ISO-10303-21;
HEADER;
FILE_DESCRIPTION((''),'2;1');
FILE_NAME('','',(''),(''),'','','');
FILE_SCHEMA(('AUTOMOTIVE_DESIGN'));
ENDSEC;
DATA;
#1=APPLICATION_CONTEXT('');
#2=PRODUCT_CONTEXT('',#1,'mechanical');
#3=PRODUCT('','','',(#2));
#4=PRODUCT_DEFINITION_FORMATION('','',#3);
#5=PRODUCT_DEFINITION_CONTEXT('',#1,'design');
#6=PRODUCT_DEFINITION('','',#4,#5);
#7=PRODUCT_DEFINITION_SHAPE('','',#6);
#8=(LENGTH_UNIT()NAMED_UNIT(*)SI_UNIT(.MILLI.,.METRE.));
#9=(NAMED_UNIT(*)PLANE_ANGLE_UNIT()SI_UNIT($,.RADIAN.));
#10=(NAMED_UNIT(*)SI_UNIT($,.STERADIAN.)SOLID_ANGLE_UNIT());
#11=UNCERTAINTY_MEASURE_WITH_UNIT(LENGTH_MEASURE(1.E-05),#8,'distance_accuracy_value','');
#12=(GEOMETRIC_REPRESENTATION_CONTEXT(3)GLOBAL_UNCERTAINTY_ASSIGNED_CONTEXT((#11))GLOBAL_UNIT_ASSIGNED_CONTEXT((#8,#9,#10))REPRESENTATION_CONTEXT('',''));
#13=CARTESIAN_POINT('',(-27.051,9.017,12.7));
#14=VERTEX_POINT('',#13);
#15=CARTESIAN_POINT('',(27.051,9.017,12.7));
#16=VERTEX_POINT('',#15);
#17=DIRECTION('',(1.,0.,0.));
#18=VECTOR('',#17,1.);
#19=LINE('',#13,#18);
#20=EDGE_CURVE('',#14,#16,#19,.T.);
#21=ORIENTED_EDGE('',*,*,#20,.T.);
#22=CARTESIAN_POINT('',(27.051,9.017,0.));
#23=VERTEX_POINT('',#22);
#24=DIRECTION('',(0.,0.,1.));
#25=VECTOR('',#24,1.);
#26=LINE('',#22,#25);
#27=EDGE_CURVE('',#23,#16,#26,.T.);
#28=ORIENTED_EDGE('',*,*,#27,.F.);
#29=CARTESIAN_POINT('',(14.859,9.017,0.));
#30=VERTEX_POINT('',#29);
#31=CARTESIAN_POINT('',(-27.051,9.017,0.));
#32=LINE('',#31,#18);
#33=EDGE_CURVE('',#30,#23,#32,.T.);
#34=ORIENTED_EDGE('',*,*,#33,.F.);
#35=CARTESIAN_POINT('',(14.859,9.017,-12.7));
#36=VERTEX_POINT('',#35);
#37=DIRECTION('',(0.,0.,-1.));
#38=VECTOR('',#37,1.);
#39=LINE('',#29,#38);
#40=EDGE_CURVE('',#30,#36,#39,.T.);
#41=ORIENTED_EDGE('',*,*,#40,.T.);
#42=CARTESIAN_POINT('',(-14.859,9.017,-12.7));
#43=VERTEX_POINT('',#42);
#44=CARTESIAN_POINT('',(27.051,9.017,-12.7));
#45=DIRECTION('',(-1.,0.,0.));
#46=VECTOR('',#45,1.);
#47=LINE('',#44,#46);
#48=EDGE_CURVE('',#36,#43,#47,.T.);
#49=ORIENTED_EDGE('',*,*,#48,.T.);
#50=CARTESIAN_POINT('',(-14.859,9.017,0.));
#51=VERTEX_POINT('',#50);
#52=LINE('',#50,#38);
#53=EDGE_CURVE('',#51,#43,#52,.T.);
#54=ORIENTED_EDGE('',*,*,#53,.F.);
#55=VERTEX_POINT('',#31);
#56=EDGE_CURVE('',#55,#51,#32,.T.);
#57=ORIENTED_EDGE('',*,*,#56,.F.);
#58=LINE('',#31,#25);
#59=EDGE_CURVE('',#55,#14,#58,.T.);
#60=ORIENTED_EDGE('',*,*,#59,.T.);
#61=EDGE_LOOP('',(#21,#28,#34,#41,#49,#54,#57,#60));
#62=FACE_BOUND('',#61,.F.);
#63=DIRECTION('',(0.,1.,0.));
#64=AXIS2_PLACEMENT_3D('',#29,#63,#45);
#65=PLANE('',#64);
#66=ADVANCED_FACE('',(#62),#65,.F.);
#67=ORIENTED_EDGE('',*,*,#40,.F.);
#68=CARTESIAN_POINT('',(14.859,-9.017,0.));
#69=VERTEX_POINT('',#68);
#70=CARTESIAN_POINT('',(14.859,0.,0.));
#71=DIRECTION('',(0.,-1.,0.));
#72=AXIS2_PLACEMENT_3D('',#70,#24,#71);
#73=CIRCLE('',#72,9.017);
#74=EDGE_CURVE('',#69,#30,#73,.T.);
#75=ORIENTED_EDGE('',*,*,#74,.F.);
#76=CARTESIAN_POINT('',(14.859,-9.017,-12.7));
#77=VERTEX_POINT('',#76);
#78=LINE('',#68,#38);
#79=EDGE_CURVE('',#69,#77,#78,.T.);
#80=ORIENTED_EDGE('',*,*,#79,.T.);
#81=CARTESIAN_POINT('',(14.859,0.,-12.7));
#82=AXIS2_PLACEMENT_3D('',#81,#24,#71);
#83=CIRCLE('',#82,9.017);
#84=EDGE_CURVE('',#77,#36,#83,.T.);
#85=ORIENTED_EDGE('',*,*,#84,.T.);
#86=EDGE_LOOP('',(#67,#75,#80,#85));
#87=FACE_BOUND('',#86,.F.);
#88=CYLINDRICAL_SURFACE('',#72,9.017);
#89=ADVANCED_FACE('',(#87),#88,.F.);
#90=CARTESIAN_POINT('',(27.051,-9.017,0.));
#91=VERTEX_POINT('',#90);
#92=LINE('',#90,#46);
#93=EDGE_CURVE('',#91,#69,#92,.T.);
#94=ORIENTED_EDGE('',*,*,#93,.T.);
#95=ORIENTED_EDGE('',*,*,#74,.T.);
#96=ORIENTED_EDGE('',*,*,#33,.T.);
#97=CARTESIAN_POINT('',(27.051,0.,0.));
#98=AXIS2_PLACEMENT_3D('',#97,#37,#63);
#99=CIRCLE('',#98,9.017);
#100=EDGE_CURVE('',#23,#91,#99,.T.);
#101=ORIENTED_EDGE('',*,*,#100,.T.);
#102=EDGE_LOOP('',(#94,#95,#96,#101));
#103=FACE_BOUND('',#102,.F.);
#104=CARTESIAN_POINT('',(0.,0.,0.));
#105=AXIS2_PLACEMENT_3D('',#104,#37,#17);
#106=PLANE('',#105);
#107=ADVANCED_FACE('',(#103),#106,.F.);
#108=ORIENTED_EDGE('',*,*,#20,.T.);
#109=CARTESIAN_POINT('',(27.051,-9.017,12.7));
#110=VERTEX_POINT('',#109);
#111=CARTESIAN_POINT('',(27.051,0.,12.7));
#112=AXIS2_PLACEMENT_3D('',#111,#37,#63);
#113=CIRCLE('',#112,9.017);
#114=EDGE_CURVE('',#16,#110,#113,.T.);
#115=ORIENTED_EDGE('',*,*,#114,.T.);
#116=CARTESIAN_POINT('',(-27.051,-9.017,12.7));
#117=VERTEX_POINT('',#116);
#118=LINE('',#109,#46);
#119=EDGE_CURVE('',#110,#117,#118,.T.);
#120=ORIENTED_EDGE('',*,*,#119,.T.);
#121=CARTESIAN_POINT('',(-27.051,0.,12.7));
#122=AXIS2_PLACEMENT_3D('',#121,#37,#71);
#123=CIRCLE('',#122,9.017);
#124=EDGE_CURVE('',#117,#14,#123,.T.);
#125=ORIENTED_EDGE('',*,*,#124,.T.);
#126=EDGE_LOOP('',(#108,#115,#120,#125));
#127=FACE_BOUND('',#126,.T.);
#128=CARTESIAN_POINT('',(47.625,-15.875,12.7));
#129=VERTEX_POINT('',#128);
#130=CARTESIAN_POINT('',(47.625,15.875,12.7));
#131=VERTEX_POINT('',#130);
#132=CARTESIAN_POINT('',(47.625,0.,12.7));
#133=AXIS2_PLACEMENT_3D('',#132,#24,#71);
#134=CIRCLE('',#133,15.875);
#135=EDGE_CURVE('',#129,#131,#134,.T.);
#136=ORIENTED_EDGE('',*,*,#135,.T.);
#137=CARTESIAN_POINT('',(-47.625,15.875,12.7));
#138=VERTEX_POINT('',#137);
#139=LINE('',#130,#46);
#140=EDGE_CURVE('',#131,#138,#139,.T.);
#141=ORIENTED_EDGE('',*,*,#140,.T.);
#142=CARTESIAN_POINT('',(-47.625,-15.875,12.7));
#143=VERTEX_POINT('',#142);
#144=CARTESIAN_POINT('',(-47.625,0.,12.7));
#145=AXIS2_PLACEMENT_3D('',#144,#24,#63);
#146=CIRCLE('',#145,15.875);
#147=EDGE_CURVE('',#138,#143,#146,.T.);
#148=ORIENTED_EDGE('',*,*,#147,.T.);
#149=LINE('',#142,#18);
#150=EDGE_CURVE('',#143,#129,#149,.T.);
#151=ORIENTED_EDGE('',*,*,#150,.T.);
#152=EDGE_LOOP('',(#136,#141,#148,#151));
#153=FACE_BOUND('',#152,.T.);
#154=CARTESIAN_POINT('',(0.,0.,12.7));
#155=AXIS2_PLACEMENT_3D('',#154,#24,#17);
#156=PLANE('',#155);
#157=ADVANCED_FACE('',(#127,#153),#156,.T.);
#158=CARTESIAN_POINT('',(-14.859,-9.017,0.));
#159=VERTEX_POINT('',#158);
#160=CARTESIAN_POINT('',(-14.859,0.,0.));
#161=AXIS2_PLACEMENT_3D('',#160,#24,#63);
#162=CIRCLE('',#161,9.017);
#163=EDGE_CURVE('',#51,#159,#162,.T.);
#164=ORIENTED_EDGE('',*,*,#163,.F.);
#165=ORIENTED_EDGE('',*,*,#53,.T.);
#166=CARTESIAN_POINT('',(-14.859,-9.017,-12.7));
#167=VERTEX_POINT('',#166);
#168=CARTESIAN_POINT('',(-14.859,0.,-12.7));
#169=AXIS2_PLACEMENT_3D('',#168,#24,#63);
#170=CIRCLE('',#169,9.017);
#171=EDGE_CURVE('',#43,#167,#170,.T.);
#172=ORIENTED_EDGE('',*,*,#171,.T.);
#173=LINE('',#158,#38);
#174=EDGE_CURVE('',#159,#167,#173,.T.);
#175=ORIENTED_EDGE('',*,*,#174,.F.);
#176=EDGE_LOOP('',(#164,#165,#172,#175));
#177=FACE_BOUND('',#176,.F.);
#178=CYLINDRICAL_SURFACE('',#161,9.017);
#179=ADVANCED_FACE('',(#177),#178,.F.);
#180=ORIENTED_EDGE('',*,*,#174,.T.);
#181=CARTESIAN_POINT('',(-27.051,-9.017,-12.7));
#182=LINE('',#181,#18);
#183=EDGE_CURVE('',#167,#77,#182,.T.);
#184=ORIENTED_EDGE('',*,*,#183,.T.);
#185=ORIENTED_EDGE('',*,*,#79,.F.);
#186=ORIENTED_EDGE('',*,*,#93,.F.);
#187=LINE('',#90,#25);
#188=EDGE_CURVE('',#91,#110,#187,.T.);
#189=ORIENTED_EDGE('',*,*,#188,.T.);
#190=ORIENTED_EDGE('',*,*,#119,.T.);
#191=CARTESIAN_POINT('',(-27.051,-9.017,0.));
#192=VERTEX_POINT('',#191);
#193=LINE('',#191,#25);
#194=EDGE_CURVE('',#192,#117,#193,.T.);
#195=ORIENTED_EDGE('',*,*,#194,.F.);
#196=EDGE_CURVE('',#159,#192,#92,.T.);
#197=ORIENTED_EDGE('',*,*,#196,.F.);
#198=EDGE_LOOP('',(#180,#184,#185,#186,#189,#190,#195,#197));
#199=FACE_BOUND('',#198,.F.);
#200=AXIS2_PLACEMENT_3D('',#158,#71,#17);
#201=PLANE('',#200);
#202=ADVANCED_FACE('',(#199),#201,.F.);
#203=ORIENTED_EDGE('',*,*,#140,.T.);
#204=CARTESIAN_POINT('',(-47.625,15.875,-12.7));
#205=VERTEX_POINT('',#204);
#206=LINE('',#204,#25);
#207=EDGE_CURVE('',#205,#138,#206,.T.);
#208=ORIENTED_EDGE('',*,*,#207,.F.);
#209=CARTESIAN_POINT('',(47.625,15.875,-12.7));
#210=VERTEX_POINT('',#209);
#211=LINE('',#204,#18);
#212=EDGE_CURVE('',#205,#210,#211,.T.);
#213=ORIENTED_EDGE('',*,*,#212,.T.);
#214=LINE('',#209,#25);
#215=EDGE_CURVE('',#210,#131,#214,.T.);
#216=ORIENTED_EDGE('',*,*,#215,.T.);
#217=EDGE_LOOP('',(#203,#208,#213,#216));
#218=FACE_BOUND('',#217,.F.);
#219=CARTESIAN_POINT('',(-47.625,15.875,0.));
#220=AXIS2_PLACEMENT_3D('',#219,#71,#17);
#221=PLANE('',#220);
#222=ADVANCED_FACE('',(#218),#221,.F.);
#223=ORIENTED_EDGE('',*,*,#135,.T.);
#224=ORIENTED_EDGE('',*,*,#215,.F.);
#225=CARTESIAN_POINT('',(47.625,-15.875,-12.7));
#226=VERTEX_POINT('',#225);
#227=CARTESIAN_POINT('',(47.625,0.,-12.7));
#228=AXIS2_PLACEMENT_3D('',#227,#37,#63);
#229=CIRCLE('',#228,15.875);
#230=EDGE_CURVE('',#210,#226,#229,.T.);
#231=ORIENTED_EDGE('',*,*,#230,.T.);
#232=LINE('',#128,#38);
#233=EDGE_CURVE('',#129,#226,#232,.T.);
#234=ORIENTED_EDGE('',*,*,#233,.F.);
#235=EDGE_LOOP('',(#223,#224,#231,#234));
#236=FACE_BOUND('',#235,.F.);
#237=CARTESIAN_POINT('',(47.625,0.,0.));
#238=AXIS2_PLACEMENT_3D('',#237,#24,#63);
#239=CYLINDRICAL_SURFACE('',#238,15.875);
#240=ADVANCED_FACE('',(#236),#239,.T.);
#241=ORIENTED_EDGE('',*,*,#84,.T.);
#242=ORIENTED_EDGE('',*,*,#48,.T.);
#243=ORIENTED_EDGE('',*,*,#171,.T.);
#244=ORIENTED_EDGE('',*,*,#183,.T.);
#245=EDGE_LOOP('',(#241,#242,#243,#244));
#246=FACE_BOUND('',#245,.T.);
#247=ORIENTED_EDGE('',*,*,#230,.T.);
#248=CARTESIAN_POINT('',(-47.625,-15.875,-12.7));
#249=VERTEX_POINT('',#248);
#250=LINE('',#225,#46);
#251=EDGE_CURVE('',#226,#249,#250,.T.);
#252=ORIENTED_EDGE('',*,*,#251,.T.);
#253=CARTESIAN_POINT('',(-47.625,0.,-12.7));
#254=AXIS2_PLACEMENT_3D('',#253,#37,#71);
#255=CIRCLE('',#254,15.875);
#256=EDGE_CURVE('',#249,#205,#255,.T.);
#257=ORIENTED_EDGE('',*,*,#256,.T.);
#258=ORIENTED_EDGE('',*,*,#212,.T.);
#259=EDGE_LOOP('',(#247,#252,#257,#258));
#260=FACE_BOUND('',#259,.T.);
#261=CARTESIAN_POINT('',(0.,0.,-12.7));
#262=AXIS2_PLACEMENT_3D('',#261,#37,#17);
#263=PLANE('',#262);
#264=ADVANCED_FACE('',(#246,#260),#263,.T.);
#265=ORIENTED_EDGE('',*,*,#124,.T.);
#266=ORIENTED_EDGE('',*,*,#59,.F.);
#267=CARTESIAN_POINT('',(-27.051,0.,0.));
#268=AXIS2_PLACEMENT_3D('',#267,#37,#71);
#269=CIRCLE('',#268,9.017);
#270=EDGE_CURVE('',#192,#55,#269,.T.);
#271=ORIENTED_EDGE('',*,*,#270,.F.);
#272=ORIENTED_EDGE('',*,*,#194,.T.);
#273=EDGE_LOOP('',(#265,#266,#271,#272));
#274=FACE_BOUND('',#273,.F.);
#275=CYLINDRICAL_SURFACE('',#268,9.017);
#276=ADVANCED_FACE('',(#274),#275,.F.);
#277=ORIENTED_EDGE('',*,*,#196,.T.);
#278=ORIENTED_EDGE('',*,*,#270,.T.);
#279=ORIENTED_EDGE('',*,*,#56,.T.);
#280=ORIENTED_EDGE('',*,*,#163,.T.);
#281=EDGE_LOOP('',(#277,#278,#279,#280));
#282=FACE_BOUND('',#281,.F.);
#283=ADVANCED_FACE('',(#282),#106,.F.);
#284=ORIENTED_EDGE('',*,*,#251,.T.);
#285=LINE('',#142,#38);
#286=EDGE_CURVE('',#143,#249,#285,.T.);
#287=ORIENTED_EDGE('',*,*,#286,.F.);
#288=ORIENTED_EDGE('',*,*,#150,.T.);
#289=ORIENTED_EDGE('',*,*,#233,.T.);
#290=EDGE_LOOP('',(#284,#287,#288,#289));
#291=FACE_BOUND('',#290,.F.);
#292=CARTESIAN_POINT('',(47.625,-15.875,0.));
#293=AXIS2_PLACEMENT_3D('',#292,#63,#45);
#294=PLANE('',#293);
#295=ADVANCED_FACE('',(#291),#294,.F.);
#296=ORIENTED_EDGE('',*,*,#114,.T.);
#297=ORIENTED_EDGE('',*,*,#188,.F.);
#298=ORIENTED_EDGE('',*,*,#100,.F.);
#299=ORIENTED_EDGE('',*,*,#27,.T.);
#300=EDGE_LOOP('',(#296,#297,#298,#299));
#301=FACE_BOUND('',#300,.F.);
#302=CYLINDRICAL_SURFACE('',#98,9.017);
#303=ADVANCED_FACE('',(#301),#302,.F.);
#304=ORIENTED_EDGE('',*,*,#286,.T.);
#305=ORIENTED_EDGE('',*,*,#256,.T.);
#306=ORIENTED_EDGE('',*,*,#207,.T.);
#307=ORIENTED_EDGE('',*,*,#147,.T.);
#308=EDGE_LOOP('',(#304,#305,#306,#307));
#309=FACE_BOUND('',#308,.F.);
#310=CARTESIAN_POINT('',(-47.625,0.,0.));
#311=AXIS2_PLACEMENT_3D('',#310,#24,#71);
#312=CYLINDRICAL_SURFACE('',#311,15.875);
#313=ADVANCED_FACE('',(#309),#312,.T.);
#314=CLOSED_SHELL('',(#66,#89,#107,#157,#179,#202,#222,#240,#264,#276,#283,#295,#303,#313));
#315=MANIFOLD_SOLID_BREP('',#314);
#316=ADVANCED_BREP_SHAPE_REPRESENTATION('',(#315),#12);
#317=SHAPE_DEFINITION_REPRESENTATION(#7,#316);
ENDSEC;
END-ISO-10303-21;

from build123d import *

# Parameters (mm, degrees)
F1_DEPTH = 12.7
F3_DEPTH = 12.7


with BuildPart() as f1:
    # F0 (on Top) → F1 (new body)
    with BuildSketch(Plane.XY):
        with BuildLine():
            Line((-47.625, -15.875), (47.625, -15.875))
            ThreePointArc((47.625, -15.875), (63.5, 0), (47.625, 15.875))
            Line((47.625, 15.875), (-47.625, 15.875))
            ThreePointArc((-47.625, 15.875), (-63.5, 0), (-47.625, -15.875))
        make_face()
        with BuildLine():
            ThreePointArc((27.051, 9.017), (36.068, 0), (27.051, -9.017))
            Line((27.051, -9.017), (-27.051, -9.017))
            ThreePointArc((-27.051, -9.017), (-36.068, 0), (-27.051, 9.017))
            Line((-27.051, 9.017), (27.051, 9.017))
        make_face(mode=Mode.SUBTRACT)
    extrude(amount=F1_DEPTH)

    # F2 (on face) → F3 (join)
    with BuildSketch(Plane(origin=(0, 0, 0), x_dir=(1, 0, 0), z_dir=(0, 0, -1))):
        with BuildLine():
            ThreePointArc((47.625, -15.875), (63.5, 0), (47.625, 15.875))
            Line((47.625, 15.875), (-47.625, 15.875))
            ThreePointArc((-47.625, 15.875), (-63.5, 0), (-47.625, -15.875))
            Line((-47.625, -15.875), (47.625, -15.875))
        make_face()
        with BuildLine():
            Line((27.051, -9.017), (14.859, -9.017))
            Line((14.859, -9.017), (-14.859, -9.017))
            Line((-14.859, -9.017), (-27.051, -9.017))
            ThreePointArc((-27.051, -9.017), (-36.068, 0), (-27.051, 9.017))
            Line((-27.051, 9.017), (-14.859, 9.017))
            Line((-14.859, 9.017), (14.859, 9.017))
            Line((14.859, 9.017), (27.051, 9.017))
            ThreePointArc((27.051, 9.017), (36.068, 0), (27.051, -9.017))
        make_face(mode=Mode.SUBTRACT)
        with BuildLine():
            Line((-27.051, -9.017), (-14.859, -9.017))
            ThreePointArc((-14.859, -9.017), (-23.876, 0), (-14.859, 9.017))
            Line((-14.859, 9.017), (-27.051, 9.017))
            ThreePointArc((-27.051, 9.017), (-36.068, 0), (-27.051, -9.017))
        make_face()
        with BuildLine():
            ThreePointArc((14.859, 9.017), (23.876, 0), (14.859, -9.017))
            Line((14.859, -9.017), (27.051, -9.017))
            ThreePointArc((27.051, -9.017), (36.068, 0), (27.051, 9.017))
            Line((27.051, 9.017), (14.859, 9.017))
        make_face()
    extrude(amount=F3_DEPTH)


solid = f1.part
